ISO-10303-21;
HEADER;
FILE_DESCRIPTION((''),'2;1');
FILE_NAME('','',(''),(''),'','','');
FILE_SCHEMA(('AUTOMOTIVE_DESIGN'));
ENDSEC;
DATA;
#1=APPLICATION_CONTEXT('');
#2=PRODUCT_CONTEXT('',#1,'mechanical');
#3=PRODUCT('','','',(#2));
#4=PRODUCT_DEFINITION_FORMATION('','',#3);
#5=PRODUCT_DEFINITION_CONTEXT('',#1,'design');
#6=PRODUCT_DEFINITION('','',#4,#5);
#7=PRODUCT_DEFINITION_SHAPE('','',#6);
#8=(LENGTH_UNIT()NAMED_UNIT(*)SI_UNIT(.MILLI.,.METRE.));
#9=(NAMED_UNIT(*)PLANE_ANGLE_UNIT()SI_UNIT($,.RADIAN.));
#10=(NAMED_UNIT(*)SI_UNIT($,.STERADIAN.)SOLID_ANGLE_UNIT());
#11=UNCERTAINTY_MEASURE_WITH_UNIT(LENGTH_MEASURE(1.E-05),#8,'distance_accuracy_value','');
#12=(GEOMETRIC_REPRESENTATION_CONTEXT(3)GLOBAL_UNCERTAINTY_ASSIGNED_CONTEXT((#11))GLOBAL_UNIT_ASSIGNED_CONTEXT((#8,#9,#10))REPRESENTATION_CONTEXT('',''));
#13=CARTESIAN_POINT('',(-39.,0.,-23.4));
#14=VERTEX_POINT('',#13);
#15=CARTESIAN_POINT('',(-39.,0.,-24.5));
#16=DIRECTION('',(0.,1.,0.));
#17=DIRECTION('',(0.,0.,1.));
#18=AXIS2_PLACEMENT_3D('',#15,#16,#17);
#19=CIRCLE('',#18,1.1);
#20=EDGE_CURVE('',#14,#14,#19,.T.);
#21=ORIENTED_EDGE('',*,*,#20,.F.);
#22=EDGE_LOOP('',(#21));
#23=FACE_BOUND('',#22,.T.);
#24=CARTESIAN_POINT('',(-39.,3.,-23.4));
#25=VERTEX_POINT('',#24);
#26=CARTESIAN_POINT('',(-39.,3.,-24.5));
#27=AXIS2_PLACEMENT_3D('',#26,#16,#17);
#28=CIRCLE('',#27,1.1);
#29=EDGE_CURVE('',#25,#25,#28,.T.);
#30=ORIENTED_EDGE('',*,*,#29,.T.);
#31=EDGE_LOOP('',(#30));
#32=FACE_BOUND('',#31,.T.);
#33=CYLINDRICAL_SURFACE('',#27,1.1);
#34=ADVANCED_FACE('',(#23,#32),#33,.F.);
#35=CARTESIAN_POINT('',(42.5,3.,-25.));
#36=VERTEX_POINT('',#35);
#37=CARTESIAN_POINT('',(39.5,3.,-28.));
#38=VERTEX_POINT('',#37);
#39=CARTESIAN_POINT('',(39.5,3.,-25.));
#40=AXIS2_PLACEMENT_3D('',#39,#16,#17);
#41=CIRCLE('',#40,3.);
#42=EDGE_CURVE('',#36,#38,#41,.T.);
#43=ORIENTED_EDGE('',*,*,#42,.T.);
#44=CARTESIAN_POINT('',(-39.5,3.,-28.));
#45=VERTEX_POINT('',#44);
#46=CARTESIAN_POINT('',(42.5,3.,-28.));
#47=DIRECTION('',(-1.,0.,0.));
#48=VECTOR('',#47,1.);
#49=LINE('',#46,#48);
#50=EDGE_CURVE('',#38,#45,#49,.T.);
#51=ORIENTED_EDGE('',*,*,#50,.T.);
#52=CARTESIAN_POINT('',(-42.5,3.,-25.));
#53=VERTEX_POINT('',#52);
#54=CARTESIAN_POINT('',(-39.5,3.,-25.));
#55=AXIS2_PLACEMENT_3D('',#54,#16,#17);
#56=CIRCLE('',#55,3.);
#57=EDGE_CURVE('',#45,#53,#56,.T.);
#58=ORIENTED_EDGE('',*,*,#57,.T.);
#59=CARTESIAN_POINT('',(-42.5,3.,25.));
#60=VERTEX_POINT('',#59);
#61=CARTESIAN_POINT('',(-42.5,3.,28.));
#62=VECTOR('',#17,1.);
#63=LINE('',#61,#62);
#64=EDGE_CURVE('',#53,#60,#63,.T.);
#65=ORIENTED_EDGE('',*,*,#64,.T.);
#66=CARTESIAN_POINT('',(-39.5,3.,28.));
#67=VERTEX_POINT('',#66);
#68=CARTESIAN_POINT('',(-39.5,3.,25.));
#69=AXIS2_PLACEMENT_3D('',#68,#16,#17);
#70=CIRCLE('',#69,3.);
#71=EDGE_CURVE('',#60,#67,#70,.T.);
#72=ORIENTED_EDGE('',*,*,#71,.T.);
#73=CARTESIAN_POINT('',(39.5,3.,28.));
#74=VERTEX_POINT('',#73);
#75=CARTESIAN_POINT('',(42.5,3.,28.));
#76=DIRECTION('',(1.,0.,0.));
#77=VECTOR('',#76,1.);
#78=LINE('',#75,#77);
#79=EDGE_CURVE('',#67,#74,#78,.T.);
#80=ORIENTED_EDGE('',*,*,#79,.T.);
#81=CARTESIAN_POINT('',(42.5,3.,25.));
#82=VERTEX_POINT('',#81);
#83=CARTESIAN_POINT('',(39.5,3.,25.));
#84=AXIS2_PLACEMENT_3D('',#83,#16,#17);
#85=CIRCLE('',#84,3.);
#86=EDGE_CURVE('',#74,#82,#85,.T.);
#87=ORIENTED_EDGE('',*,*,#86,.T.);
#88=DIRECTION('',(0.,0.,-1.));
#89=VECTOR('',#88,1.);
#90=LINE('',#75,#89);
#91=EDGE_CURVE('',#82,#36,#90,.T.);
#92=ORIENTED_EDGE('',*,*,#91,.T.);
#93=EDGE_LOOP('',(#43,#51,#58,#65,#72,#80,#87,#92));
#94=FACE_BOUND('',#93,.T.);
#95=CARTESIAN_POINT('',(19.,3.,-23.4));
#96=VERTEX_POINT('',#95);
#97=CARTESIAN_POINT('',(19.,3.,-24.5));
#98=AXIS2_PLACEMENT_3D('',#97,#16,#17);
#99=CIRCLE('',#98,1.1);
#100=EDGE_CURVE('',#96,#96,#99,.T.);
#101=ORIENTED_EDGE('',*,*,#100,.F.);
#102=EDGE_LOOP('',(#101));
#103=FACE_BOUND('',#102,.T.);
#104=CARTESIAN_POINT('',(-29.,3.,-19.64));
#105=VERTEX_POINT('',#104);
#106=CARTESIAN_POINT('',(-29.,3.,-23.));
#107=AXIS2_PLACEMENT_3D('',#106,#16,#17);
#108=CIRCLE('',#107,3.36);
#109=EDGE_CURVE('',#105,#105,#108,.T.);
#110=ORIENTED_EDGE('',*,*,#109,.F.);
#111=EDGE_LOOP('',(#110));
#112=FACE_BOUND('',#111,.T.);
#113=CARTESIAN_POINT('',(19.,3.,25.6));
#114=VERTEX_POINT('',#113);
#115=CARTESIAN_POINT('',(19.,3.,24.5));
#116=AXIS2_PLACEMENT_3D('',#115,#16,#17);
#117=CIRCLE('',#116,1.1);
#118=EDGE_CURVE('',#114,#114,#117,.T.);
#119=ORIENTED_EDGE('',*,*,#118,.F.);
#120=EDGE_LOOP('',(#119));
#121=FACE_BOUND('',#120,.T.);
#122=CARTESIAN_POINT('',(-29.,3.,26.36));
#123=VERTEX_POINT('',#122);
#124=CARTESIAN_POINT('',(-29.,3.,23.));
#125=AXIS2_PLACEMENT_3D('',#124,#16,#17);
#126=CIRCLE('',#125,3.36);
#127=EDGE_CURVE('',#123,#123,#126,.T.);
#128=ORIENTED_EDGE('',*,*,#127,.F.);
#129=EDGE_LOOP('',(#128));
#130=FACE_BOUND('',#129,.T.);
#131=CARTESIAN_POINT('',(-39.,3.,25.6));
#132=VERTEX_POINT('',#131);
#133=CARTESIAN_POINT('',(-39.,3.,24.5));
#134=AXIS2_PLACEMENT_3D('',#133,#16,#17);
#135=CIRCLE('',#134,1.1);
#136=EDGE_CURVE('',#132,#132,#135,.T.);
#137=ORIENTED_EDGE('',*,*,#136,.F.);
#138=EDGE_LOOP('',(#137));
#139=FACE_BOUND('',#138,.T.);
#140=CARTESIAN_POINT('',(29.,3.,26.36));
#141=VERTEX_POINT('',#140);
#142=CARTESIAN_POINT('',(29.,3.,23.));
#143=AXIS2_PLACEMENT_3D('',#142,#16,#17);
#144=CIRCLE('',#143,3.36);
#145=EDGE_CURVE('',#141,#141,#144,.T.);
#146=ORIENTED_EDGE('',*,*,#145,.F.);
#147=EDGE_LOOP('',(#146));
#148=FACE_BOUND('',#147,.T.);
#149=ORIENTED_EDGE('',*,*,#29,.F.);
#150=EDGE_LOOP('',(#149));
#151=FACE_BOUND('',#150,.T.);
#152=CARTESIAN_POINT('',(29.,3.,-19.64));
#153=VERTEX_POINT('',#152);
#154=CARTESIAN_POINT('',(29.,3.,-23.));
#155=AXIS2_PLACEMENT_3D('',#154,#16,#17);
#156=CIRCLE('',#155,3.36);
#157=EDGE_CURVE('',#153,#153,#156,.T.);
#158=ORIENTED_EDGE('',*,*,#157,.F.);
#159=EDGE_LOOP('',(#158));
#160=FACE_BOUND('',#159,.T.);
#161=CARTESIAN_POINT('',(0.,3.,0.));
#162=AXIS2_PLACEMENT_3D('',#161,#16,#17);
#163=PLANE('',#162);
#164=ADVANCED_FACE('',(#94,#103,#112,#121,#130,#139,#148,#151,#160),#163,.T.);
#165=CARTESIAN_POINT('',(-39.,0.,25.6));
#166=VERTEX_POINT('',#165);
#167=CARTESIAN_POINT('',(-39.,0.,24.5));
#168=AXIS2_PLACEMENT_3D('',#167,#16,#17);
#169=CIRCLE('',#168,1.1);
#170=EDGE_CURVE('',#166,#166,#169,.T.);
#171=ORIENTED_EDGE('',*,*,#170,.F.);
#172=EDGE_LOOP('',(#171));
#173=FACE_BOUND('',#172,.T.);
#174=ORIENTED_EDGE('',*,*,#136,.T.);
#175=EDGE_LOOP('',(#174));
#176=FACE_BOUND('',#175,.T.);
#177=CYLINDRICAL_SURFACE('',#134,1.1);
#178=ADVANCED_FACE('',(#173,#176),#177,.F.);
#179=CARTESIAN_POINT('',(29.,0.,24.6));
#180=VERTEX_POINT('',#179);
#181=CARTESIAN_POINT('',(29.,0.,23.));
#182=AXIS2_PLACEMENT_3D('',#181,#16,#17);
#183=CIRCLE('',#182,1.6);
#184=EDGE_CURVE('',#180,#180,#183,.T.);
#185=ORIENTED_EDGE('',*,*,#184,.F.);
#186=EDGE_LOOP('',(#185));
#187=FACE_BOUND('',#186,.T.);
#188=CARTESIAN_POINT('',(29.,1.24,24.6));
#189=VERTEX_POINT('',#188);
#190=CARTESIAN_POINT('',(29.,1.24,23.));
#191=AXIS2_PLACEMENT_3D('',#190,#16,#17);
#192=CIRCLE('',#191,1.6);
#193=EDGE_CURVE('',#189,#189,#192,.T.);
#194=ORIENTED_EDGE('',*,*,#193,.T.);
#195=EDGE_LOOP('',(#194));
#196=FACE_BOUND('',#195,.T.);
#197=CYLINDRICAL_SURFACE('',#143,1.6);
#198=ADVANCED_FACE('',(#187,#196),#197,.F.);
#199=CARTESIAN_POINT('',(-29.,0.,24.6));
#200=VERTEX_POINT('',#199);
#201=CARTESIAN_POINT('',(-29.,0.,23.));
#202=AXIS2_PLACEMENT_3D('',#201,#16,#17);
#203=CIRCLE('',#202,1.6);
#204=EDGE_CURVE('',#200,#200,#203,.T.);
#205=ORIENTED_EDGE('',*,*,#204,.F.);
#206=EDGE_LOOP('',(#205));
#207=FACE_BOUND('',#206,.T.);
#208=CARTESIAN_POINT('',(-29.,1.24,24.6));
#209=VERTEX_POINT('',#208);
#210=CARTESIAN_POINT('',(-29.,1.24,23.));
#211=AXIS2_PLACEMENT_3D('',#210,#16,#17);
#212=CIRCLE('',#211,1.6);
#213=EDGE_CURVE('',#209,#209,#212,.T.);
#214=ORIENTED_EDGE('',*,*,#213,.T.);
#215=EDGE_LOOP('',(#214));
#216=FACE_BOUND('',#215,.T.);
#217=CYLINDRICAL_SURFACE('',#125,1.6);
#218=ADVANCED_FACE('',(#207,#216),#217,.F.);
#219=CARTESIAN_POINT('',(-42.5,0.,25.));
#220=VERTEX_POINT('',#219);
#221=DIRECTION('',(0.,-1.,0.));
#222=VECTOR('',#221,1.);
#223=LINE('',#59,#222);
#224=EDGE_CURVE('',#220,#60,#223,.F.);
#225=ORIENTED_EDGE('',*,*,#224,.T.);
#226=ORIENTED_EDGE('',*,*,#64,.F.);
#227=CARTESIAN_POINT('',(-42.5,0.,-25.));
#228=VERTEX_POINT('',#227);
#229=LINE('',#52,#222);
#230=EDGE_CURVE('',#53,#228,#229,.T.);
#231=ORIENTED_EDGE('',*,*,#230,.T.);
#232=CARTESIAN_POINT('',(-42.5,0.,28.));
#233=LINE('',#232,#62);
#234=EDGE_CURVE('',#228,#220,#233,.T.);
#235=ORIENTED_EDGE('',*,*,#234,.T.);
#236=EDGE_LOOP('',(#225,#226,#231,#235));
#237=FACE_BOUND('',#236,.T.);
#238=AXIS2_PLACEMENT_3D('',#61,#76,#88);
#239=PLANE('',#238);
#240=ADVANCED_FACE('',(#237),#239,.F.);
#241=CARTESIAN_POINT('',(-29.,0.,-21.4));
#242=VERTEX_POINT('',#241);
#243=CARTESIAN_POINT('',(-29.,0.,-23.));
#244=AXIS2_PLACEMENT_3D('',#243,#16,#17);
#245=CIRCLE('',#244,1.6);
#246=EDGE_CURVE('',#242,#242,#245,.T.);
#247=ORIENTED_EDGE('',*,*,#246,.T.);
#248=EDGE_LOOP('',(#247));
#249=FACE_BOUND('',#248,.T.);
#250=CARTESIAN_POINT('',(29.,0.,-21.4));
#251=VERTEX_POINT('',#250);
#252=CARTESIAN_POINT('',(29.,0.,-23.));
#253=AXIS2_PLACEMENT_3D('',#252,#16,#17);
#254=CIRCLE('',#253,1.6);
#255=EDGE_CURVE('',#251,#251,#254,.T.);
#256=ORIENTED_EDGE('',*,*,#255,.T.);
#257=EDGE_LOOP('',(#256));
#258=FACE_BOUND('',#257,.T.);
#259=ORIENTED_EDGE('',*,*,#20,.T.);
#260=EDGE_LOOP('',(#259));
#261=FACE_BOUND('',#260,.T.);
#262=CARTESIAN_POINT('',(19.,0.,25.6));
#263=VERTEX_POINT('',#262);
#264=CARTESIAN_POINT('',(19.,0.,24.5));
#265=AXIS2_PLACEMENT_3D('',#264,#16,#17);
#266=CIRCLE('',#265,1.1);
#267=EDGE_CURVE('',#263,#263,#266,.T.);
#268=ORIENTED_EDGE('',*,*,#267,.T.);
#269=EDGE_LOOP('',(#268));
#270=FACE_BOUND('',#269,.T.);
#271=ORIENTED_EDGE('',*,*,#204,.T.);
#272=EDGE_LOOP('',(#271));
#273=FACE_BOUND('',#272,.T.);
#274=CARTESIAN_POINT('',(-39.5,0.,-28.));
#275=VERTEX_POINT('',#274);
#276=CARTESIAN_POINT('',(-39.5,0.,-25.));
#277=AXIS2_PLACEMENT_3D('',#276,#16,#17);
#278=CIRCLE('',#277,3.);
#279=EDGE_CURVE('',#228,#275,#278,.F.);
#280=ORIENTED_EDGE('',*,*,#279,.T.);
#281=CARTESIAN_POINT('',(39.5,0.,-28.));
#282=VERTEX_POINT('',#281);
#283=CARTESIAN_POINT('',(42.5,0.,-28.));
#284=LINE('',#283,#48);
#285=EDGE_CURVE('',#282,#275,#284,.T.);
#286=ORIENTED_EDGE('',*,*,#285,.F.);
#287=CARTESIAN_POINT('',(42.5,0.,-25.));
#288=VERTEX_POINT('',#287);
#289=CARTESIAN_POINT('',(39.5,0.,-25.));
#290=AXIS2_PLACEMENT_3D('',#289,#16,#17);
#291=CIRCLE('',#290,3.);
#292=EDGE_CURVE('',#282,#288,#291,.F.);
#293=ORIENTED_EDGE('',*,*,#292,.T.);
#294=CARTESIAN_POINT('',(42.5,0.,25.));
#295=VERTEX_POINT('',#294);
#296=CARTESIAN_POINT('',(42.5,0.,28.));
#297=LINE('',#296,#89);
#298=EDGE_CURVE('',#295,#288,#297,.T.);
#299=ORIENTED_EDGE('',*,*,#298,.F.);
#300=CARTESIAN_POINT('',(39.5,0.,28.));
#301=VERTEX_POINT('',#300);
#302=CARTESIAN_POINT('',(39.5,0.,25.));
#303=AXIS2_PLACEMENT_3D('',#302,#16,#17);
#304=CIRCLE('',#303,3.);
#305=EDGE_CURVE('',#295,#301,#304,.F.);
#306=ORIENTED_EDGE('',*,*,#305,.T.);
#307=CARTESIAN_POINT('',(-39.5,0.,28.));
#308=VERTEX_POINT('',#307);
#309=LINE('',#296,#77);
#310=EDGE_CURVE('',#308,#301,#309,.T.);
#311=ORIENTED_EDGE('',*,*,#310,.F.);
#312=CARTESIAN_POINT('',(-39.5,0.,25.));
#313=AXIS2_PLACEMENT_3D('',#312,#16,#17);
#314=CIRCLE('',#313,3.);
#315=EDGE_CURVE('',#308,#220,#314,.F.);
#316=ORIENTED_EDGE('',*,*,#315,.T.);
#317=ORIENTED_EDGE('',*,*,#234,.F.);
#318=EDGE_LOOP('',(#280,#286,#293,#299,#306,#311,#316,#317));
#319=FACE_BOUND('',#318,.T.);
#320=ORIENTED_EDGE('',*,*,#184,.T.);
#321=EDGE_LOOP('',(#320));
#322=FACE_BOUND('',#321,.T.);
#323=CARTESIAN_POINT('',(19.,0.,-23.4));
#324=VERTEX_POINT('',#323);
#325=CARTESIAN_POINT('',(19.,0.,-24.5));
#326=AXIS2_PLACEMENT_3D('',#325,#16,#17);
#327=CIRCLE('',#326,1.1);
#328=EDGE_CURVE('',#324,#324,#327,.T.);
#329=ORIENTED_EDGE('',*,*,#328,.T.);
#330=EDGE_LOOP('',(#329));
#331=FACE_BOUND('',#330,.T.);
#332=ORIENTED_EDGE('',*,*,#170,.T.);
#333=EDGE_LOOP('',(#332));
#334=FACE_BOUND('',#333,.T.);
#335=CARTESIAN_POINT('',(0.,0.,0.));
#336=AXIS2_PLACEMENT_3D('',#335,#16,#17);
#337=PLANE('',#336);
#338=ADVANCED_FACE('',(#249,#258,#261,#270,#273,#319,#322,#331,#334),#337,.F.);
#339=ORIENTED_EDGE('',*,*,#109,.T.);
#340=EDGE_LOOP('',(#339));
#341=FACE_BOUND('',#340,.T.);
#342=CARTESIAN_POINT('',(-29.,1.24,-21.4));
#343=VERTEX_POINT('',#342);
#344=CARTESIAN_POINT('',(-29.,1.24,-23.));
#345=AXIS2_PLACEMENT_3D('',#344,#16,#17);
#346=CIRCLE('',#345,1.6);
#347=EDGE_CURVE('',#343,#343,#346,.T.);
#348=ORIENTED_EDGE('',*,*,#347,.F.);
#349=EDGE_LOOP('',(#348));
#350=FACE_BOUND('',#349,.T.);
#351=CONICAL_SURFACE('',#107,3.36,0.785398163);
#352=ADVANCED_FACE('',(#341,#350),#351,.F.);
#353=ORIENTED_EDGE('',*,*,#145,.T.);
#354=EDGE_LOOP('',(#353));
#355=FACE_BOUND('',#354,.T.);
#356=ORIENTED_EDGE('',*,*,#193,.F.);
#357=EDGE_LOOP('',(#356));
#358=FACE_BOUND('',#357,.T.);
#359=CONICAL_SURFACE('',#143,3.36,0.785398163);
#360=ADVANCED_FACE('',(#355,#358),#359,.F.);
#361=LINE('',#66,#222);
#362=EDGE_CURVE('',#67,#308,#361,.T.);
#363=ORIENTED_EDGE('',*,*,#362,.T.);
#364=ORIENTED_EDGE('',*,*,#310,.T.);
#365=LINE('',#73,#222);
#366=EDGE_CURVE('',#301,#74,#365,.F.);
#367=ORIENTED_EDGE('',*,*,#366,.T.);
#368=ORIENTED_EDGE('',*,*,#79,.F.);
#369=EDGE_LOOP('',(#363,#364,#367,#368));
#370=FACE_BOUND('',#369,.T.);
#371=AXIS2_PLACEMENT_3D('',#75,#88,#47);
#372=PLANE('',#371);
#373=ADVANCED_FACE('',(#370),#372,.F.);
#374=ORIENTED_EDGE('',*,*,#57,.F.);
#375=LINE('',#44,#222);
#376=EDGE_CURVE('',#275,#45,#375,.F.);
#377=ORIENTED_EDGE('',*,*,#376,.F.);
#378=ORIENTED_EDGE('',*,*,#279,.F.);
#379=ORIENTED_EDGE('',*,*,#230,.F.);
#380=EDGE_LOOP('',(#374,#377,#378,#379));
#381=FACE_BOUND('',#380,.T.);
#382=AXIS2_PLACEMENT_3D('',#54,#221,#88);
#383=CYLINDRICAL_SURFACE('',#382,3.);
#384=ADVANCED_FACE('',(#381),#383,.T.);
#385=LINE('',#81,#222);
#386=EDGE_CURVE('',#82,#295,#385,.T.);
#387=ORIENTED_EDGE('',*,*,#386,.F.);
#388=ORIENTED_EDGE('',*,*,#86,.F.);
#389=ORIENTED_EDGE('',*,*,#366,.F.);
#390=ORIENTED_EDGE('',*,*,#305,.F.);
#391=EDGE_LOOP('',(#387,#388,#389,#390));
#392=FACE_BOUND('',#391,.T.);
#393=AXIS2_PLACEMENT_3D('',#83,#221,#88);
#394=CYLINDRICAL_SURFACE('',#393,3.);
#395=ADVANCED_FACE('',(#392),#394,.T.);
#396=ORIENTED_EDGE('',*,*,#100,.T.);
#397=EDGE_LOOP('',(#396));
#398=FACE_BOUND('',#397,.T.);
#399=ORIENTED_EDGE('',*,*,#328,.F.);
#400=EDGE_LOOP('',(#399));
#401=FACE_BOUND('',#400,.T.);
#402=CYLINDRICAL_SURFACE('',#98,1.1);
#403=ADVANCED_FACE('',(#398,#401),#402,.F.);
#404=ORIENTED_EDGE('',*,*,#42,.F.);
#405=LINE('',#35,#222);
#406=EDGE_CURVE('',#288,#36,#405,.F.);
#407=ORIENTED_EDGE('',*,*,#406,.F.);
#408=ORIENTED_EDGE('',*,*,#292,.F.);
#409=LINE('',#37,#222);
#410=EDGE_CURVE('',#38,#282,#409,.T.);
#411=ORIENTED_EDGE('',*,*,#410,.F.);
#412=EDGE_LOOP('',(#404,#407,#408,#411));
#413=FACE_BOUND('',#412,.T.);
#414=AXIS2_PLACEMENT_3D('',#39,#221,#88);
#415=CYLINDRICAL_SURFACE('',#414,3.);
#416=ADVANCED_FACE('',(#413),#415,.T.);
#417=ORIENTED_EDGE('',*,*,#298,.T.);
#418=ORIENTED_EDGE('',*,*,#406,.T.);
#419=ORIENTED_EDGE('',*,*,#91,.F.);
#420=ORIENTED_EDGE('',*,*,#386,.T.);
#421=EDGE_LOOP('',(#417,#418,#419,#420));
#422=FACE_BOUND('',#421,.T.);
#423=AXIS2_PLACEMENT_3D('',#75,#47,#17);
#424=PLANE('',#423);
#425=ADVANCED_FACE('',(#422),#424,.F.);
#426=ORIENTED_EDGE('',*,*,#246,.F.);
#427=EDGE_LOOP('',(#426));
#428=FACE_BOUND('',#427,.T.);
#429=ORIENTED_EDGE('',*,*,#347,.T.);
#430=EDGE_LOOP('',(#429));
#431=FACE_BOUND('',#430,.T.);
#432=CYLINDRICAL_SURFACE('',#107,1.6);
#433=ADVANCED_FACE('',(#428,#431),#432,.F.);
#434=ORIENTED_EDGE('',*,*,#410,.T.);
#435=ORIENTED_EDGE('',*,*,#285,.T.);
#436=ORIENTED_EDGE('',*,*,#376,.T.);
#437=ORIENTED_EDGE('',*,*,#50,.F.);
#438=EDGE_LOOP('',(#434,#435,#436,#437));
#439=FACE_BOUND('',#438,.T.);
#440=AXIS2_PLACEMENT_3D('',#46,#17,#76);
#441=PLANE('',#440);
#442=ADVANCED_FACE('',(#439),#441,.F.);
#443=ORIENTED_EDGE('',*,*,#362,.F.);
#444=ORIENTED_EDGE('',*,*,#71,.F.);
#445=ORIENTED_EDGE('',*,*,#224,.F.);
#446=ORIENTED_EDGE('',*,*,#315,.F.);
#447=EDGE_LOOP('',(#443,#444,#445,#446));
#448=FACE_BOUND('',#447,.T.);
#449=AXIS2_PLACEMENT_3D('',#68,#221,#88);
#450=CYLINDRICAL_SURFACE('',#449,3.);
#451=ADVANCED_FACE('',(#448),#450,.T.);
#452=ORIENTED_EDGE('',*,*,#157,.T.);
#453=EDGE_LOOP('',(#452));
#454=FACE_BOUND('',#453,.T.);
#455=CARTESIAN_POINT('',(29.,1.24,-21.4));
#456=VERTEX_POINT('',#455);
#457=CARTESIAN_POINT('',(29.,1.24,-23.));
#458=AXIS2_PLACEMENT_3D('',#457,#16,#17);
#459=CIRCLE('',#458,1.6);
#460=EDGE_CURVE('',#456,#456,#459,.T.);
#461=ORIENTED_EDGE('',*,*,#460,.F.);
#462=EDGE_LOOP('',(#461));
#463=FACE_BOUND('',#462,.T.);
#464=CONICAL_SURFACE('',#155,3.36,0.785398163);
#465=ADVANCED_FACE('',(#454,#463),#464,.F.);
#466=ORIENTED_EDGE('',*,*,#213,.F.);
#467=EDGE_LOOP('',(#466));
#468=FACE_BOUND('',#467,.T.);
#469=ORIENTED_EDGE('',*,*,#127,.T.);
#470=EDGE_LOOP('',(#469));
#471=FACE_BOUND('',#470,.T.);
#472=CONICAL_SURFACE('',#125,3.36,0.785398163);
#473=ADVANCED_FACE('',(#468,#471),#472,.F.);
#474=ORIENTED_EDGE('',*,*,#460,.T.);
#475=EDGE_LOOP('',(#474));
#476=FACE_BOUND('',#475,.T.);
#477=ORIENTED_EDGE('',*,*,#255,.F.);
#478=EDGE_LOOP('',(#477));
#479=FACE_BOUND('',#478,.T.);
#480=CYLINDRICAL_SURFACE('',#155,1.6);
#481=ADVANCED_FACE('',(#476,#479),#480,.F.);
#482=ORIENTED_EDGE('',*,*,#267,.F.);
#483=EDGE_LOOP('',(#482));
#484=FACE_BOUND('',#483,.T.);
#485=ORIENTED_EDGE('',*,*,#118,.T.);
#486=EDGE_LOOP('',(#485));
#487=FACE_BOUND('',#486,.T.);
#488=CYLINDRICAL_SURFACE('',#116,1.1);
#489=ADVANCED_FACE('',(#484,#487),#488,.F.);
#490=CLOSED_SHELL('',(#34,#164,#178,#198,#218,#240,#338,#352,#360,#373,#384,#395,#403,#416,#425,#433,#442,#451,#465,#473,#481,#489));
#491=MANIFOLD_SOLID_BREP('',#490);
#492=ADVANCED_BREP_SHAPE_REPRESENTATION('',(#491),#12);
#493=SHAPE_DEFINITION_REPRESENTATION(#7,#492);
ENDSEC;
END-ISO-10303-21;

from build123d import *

# Parameters (mm, degrees)
SKETCH1_W                    = 85
SKETCH1_H                    = 56
BOSS_EXTRUDE1_DEPTH          = 3
M2_CLEARANCE_HOLE1_D         = 2.2
M2_CLEARANCE_HOLE1_DEPTH     = 5
M2_CLEARANCE_HOLE1_TIP       = 0.660946681
FILLET1_R                    = 3
CSK_FOR_M3_SFHCS1_AT_2_COUNT = 2
CSK_FOR_M3_SFHCS1_AT_2_PITCH = 74.027022093
CSK_FOR_M3_SFHCS1_AT_3_COUNT = 2
CSK_FOR_M3_SFHCS1_AT_3_PITCH = 46
CSK_FOR_M3_SFHCS1_AT_4_COUNT = 2
CSK_FOR_M3_SFHCS1_AT_4_PITCH = 58


with BuildPart() as part:
    # Sketch1 → Boss-Extrude1 (new body)
    with BuildSketch(Plane(origin=(0, 0, 0), x_dir=(1, 0, 0), z_dir=(0, 1, 0))):
        Rectangle(SKETCH1_W, SKETCH1_H)
    extrude(amount=BOSS_EXTRUDE1_DEPTH)

    # M2 Clearance Hole1
    with Locations(Plane(origin=(0, 3, 0), x_dir=(1, 0, 0), z_dir=(0, 1, 0))):
        with Locations((-39, 24.5), (19, -24.5), (19, 24.5), (-39, -24.5)):
            Hole(M2_CLEARANCE_HOLE1_D / 2, depth=M2_CLEARANCE_HOLE1_DEPTH)
            with Locations((0, 0, -(M2_CLEARANCE_HOLE1_DEPTH + M2_CLEARANCE_HOLE1_TIP / 2))):  # 118° drill point
                Cone(0, M2_CLEARANCE_HOLE1_D / 2, M2_CLEARANCE_HOLE1_TIP, mode=Mode.SUBTRACT)

    # Fillet1
    fillet1_edges = [part.edges().sort_by_distance(p)[0] for p in [
        (-42.5, 1.5, -28),
        (42.5, 1.5, -28),
        (42.5, 1.5, 28),
        (-42.5, 1.5, 28),
    ]]
    fillet(fillet1_edges, radius=FILLET1_R)

    # Sketch6 → CSK for M3 SFHCS1 (revolve, cut)
    with BuildSketch(Plane(origin=(-29, 3, -23), x_dir=(0, 0, 1), z_dir=(1, 0, 0))):
        Polygon((0, 0), (0, 3), (1.6, 3), (1.6, 1.76), (3.36, 0), align=None)
    csk_for_m3_sfhcs1 = revolve(axis=Axis((-29, 9.35, -23), (0, -1, 0)), mode=Mode.SUBTRACT)

    # CSK for M3 SFHCS1 at 2: CSK for M3 SFHCS1 ×2
    with Locations(*[Vector(0.7834976790895338, 0, 0.621394711002044) * (i * CSK_FOR_M3_SFHCS1_AT_2_PITCH) for i in range(1, CSK_FOR_M3_SFHCS1_AT_2_COUNT)]):
        add(csk_for_m3_sfhcs1, mode=Mode.SUBTRACT)

    # CSK for M3 SFHCS1 at 3: CSK for M3 SFHCS1 ×2
    with Locations(*[(0, 0, i * CSK_FOR_M3_SFHCS1_AT_3_PITCH) for i in range(1, CSK_FOR_M3_SFHCS1_AT_3_COUNT)]):
        add(csk_for_m3_sfhcs1, mode=Mode.SUBTRACT)

    # CSK for M3 SFHCS1 at 4: CSK for M3 SFHCS1 ×2
    with Locations(*[(i * CSK_FOR_M3_SFHCS1_AT_4_PITCH, 0, 0) for i in range(1, CSK_FOR_M3_SFHCS1_AT_4_COUNT)]):
        add(csk_for_m3_sfhcs1, mode=Mode.SUBTRACT)


solid = part.part
